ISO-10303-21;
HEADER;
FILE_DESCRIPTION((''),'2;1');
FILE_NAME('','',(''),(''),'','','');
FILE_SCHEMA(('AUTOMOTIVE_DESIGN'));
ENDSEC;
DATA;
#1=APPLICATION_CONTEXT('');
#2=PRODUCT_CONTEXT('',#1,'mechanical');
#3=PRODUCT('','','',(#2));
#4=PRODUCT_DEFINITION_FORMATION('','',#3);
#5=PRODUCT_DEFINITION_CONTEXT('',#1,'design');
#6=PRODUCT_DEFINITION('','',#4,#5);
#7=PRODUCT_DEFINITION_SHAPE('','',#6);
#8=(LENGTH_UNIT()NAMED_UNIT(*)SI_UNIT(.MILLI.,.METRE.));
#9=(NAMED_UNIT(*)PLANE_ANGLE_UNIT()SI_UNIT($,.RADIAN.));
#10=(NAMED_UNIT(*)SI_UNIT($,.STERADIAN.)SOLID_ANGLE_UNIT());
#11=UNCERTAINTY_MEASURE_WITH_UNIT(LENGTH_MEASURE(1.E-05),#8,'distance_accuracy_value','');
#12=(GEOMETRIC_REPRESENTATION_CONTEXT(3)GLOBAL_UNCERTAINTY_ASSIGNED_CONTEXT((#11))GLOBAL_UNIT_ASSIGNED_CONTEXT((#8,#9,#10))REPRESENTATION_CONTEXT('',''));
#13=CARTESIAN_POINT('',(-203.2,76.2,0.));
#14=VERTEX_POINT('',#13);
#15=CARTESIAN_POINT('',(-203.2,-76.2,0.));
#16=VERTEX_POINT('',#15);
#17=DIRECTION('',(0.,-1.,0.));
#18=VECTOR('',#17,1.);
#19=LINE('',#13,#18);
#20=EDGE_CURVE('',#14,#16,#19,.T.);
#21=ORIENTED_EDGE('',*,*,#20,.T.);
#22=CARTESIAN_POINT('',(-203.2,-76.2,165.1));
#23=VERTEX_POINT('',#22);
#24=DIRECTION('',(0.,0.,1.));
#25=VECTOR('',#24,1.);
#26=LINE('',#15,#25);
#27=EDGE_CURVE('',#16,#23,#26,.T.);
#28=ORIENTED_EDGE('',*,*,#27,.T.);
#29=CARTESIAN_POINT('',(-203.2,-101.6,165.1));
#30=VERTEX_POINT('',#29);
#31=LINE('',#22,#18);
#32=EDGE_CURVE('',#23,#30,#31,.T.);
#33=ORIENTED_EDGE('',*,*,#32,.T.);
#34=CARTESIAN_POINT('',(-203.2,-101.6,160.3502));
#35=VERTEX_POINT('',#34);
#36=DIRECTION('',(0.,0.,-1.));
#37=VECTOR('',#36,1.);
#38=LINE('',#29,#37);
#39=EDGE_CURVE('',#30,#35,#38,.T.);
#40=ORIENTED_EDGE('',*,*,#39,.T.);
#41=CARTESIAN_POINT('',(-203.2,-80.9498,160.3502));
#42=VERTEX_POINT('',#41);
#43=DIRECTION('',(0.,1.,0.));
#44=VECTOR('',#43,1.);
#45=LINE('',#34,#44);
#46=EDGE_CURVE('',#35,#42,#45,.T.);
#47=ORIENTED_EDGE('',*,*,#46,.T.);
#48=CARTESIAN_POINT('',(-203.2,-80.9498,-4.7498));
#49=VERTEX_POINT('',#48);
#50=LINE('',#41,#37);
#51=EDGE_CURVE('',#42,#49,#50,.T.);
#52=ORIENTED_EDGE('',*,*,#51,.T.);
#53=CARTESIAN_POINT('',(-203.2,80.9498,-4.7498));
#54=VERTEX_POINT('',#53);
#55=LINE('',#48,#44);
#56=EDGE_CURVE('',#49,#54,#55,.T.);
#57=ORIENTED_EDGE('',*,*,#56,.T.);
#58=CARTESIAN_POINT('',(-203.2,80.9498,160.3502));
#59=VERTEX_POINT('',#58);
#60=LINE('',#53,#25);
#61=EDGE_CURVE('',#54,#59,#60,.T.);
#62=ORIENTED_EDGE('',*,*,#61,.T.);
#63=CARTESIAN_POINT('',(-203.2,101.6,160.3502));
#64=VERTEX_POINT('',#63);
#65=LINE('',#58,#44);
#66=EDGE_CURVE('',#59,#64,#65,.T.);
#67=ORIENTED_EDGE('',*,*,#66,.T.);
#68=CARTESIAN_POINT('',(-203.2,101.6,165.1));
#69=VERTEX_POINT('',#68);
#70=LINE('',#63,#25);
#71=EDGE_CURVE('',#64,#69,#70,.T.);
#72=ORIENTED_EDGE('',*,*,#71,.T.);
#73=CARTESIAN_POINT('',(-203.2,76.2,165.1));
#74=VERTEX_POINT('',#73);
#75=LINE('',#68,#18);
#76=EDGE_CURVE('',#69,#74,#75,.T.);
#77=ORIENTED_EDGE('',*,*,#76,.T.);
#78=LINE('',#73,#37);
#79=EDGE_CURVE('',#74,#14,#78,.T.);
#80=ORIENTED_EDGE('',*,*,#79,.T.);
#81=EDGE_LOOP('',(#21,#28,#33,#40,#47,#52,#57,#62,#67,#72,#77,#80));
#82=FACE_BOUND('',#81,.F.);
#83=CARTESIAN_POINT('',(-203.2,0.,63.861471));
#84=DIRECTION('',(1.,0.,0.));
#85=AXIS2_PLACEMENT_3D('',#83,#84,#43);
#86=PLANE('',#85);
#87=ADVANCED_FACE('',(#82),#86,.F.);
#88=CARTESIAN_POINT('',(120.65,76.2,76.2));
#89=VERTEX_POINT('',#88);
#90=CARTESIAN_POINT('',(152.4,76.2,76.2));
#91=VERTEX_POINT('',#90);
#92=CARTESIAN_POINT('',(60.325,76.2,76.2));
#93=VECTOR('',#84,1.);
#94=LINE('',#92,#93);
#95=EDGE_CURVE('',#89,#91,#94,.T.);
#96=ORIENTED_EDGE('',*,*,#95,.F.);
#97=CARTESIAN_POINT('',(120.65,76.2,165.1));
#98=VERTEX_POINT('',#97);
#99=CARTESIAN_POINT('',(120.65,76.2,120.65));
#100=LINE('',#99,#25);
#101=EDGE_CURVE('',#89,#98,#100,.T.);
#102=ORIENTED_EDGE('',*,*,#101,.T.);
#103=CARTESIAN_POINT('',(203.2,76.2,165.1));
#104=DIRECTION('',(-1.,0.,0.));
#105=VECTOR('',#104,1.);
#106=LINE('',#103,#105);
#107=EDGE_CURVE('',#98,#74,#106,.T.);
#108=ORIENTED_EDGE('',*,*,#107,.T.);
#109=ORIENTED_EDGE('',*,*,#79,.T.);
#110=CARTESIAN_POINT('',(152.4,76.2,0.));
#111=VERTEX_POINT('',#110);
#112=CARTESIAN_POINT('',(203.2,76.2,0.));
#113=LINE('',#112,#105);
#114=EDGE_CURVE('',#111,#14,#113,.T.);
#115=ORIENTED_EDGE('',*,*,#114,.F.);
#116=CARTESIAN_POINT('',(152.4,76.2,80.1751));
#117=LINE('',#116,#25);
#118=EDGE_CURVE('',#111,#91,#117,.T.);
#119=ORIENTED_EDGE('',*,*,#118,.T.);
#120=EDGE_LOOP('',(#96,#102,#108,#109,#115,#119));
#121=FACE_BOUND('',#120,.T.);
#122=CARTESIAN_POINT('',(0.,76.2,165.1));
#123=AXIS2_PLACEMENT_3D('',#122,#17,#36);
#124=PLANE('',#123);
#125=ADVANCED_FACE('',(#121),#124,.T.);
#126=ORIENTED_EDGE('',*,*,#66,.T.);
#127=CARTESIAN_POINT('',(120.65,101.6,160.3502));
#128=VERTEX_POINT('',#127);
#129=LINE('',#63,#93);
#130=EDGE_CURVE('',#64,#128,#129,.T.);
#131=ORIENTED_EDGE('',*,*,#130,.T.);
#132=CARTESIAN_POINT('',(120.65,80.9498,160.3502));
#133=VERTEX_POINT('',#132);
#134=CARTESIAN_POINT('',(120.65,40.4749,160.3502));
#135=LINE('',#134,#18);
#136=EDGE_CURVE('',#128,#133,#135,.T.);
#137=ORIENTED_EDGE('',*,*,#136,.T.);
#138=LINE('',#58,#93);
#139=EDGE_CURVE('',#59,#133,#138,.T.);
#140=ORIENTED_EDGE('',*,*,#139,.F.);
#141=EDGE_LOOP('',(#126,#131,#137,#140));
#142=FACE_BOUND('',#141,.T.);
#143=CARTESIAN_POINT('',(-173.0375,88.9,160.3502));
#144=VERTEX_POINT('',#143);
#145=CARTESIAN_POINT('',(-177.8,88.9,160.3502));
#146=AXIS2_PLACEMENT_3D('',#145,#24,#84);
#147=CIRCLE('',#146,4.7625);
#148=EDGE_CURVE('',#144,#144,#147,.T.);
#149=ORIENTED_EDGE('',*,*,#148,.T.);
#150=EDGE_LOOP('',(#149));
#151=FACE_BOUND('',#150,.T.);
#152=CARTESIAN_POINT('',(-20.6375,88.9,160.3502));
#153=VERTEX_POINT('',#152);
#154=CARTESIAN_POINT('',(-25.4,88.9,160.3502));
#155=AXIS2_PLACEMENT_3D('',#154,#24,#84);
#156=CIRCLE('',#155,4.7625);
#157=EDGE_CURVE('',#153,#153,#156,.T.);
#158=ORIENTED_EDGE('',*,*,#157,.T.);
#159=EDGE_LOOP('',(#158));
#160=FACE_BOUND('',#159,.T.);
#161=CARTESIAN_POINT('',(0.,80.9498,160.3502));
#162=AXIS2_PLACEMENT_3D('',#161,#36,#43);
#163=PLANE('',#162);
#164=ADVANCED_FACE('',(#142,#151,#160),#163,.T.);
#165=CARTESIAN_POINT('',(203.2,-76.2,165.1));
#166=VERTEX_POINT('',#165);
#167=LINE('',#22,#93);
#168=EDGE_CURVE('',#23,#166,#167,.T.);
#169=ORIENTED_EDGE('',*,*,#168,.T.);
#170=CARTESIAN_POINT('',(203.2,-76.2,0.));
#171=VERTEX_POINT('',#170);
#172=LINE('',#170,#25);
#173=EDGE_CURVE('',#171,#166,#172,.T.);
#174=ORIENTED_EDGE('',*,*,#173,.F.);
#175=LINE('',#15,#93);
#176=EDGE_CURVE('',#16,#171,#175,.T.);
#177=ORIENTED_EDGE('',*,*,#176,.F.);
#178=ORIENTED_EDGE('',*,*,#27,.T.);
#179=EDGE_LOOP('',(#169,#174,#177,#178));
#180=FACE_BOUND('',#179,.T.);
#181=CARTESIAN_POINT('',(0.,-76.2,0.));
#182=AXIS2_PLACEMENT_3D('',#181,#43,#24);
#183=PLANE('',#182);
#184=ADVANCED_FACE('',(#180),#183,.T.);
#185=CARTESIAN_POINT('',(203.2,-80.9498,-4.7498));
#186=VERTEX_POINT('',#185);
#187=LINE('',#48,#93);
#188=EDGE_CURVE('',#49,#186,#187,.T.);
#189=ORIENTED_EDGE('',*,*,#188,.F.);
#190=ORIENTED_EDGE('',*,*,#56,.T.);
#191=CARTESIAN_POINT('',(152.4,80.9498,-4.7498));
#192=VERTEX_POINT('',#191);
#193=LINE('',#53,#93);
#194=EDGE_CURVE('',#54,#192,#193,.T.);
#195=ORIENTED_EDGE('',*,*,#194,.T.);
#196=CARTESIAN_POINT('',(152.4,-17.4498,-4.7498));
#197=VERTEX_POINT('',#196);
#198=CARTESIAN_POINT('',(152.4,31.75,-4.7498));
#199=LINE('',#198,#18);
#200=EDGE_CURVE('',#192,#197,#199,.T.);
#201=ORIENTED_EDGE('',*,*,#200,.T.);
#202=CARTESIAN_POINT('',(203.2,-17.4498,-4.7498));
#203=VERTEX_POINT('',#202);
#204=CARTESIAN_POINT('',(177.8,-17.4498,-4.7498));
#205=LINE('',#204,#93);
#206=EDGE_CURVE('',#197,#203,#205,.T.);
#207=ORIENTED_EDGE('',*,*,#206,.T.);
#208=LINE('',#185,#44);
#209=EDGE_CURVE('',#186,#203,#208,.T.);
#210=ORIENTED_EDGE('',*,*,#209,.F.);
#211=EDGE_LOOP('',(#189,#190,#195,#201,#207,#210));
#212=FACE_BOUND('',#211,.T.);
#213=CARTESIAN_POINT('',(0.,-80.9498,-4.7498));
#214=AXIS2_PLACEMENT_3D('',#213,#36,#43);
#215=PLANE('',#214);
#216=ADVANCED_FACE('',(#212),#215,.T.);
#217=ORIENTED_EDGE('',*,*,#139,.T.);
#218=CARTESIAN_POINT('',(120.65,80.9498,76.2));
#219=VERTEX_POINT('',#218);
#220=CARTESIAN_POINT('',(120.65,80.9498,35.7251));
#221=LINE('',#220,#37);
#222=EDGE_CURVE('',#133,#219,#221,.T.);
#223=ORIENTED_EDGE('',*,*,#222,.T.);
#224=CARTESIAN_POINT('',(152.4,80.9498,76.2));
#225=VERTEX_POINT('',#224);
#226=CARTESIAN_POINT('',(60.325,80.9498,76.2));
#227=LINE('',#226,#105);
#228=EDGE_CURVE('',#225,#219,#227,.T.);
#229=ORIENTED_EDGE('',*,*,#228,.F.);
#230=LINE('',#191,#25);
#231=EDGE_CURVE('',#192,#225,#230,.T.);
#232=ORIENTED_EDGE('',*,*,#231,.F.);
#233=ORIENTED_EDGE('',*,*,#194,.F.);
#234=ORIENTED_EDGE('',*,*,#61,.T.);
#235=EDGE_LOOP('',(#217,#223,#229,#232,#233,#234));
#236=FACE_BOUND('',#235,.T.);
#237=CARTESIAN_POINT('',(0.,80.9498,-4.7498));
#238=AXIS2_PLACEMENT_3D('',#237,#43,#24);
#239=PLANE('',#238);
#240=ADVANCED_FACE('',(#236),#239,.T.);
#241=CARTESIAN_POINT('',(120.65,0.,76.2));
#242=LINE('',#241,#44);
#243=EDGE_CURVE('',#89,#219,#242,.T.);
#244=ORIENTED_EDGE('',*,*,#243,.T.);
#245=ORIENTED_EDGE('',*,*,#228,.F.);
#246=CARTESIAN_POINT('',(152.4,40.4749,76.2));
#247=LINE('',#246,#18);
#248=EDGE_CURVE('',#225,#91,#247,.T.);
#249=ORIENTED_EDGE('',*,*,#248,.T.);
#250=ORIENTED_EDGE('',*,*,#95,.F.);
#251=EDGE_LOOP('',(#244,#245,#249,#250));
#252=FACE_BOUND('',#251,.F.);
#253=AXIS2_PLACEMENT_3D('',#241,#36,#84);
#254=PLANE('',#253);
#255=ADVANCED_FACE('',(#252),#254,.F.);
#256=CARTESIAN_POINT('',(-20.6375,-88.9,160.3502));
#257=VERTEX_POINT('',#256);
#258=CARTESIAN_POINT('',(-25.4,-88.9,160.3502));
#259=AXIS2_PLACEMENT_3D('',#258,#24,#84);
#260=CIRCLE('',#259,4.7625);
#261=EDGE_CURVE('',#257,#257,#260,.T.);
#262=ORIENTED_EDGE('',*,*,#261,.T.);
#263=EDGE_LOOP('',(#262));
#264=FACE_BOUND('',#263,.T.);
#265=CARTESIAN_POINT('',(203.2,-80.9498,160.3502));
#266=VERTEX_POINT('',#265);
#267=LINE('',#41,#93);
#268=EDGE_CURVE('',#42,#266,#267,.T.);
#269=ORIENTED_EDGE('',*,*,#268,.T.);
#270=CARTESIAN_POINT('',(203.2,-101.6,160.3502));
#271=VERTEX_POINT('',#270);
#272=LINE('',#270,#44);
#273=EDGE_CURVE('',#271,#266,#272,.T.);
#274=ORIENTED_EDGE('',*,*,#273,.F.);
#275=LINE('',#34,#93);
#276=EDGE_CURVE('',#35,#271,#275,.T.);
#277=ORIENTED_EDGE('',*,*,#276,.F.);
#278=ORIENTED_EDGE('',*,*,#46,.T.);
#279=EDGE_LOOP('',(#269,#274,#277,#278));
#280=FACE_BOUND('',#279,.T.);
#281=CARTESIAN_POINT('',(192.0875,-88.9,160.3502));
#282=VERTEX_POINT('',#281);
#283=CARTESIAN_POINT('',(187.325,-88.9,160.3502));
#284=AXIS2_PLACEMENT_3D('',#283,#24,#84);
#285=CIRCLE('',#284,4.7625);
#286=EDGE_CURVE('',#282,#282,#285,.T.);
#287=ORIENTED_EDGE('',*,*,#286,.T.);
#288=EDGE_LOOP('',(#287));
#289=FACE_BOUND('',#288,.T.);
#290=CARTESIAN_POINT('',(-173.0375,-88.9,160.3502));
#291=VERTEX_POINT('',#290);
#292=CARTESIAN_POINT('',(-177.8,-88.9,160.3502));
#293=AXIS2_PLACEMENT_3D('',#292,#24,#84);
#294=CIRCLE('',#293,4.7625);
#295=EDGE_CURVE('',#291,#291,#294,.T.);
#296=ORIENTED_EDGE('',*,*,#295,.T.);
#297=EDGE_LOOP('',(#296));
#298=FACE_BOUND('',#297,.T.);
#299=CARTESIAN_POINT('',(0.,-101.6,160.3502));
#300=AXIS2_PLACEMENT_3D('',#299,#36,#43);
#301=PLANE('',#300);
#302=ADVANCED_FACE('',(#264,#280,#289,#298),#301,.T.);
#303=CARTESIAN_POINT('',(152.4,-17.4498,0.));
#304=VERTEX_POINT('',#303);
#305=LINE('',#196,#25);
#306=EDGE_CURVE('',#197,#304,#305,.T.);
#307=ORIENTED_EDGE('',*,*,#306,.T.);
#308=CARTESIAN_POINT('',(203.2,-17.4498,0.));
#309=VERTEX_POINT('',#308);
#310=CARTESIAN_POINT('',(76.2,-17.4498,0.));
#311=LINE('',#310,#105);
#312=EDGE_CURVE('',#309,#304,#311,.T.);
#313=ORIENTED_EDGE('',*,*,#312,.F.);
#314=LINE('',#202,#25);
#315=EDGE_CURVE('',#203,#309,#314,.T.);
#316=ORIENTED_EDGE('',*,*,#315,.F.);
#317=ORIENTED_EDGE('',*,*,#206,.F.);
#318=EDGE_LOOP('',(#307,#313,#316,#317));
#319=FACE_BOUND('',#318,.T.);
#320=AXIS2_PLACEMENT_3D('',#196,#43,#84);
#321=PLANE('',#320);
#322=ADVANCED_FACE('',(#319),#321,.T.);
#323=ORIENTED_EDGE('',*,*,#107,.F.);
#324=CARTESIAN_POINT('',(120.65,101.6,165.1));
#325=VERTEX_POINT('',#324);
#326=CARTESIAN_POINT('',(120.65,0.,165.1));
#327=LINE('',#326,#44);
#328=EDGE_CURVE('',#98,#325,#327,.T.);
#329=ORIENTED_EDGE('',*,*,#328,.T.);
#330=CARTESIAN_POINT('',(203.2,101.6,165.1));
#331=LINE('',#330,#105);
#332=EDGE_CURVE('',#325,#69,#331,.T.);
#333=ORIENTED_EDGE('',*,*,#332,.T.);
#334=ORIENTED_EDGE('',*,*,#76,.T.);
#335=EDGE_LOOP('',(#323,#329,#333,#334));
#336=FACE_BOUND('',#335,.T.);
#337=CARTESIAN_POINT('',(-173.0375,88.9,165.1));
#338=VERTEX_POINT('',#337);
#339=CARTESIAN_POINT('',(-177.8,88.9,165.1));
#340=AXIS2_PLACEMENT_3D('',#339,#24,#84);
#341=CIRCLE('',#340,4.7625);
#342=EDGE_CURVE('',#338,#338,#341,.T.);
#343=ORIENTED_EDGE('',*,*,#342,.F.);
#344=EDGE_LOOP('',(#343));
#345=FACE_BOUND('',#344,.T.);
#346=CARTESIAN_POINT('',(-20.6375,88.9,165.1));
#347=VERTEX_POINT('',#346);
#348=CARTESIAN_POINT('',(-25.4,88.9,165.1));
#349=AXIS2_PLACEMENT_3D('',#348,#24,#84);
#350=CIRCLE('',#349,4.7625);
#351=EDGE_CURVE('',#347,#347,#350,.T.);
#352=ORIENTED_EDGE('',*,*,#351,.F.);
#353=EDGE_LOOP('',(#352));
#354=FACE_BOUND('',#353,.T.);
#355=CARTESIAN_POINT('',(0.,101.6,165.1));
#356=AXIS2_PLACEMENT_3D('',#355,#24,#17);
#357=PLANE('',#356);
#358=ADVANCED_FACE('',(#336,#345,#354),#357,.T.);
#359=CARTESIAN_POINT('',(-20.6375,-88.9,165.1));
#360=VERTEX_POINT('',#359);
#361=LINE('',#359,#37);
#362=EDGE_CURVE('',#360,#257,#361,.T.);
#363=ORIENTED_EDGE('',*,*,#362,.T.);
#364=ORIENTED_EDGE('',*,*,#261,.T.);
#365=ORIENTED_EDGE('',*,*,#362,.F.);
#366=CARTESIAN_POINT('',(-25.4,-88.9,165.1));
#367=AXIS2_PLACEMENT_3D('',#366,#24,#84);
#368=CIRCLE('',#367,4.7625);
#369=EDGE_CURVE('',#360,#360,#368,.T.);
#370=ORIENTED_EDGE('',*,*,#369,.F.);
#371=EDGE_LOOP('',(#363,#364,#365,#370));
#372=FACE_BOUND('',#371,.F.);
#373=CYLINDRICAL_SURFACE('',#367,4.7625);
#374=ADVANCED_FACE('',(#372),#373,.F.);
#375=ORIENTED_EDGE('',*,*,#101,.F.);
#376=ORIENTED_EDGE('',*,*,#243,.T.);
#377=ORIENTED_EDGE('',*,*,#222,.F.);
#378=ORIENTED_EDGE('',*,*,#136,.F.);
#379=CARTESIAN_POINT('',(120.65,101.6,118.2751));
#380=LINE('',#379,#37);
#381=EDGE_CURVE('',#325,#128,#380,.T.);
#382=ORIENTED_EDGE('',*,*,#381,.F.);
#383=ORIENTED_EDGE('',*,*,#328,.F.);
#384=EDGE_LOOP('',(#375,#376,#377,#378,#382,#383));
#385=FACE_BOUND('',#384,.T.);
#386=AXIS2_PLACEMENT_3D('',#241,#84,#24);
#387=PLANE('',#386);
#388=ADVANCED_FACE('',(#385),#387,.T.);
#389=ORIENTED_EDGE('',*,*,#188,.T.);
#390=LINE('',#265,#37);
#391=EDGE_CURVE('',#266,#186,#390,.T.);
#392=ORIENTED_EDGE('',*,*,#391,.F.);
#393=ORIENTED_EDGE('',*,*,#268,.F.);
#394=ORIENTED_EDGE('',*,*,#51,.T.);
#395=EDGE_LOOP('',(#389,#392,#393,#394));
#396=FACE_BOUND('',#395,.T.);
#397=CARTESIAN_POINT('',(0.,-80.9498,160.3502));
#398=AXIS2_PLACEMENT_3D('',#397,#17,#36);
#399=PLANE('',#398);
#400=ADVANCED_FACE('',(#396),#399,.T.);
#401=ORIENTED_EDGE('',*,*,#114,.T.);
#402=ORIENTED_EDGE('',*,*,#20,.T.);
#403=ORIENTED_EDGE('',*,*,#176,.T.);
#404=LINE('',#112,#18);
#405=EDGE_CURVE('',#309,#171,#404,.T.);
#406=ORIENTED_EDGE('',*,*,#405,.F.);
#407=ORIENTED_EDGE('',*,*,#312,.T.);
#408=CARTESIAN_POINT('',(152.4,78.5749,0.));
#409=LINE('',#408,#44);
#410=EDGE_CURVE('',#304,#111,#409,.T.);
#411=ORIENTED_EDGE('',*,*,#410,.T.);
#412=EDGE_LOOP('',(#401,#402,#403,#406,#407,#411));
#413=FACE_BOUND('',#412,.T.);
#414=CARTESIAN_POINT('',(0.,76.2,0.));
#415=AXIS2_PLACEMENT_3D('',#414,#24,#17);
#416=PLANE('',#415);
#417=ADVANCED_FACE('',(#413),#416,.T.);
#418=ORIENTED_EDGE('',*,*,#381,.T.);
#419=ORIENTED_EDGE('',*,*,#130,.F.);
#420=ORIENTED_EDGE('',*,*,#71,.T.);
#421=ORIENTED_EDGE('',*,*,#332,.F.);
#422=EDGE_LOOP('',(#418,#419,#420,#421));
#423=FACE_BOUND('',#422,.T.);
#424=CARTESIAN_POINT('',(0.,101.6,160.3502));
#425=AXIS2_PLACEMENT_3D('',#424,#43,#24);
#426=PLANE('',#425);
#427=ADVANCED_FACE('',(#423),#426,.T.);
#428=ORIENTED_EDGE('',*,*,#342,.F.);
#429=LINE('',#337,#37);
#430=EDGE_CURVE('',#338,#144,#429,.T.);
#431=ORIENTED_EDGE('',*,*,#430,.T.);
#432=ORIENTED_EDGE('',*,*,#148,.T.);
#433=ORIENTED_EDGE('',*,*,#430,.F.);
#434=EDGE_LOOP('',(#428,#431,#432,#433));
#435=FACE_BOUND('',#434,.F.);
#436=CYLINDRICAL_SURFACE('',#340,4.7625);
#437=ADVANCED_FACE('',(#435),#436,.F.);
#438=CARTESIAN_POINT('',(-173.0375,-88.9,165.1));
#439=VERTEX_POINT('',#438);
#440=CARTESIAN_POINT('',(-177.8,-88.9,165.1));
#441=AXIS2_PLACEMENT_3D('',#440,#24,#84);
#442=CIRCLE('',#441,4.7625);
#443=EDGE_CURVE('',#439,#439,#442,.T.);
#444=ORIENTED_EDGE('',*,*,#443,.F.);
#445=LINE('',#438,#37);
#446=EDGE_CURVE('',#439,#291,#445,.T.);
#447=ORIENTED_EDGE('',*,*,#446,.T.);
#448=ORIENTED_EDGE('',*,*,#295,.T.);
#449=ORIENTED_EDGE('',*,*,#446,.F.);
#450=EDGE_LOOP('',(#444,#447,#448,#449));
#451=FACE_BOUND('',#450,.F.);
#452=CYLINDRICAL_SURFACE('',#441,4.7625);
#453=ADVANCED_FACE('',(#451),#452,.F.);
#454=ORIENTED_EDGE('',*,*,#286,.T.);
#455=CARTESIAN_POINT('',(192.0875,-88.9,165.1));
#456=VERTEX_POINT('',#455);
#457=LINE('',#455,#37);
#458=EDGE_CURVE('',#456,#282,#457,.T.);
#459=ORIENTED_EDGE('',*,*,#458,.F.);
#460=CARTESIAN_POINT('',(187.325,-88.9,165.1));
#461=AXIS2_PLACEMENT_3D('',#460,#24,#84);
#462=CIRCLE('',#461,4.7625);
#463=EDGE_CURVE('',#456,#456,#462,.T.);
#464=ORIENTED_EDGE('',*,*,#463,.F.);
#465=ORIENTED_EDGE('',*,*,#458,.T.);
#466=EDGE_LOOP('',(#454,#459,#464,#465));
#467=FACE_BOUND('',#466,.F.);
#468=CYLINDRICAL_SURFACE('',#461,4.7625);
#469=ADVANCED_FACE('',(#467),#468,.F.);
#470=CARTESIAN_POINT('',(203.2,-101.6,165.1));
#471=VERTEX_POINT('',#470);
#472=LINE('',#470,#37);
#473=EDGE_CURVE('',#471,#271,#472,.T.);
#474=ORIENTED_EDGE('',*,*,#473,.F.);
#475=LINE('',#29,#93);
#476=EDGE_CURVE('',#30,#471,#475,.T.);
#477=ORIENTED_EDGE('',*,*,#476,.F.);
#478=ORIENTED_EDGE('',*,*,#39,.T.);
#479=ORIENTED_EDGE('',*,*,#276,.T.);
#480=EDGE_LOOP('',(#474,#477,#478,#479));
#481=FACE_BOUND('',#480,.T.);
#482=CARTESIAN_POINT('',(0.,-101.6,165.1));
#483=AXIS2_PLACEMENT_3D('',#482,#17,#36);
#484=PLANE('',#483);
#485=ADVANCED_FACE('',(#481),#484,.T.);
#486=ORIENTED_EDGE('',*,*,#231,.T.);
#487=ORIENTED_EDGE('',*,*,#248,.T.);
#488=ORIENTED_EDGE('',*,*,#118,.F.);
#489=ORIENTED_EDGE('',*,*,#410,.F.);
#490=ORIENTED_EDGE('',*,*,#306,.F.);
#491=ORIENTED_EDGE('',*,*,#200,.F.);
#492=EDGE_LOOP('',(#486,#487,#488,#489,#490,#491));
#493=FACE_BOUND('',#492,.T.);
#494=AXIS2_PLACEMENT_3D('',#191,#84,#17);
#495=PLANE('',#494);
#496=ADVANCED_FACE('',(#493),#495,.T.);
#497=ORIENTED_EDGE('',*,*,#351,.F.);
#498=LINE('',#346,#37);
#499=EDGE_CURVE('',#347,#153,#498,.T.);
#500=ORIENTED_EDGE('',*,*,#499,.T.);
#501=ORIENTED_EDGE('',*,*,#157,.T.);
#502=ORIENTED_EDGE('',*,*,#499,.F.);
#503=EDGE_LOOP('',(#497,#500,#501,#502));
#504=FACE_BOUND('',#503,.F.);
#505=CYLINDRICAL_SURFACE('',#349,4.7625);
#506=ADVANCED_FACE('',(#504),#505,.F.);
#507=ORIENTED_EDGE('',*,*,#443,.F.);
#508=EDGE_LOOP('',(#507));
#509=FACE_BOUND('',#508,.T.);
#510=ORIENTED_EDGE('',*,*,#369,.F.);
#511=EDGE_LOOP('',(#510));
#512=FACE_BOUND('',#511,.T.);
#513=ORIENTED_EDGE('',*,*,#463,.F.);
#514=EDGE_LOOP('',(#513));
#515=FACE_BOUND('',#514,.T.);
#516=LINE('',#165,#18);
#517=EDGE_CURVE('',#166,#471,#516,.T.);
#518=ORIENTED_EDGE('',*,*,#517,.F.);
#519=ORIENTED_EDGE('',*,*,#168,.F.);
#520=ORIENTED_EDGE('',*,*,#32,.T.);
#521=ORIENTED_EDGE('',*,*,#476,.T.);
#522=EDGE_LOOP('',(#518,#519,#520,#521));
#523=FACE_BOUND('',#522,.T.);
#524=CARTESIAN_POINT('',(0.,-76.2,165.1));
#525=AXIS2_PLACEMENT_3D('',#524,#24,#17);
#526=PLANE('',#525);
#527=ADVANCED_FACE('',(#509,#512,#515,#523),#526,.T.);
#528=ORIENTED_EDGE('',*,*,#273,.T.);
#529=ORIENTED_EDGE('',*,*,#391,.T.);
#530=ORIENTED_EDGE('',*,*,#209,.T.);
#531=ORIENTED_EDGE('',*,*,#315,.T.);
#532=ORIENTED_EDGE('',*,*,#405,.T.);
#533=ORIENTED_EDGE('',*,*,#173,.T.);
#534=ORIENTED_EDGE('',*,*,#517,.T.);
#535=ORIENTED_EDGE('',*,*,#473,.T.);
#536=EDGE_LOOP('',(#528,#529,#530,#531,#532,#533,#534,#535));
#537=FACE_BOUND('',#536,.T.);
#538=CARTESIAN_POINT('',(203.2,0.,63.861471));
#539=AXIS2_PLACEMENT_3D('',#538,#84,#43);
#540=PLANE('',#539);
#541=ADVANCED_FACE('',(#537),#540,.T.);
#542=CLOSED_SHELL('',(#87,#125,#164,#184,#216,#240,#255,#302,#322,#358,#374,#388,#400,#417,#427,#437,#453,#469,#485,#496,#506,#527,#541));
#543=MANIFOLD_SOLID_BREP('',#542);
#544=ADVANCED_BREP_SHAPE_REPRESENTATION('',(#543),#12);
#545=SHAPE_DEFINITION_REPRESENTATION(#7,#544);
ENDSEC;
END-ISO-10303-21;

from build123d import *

# Parameters (mm, degrees)
F1_DEPTH = 203.2
F2_W     = 82.55
F2_H     = 88.9
F3_DEPTH = 101.601
F4_W     = 50.8
F4_H     = 98.3996
F5_DEPTH = 169.8508
F6_R     = 4.7625
F7_DEPTH = 169.8508


with BuildPart() as f1:
    # F0 (on Right) → F1 (new body, symmetric)
    with BuildSketch(Plane.YZ):
        Polygon((76.2, 0), (-76.2, 0), (-76.2, 165.1), (-101.6, 165.1), (-101.6, 160.3502), (-80.9498, 160.3502), (-80.9498, -4.7498), (80.9498, -4.7498), (80.9498, 160.3502), (101.6, 160.3502), (101.6, 165.1), (76.2, 165.1), align=None)
    extrude(amount=F1_DEPTH, both=True)

    # F2 (on Front) → F3 (cut, through all)
    with BuildSketch(Plane.XZ):
        with Locations((161.925, 120.65)):
            Rectangle(F2_W, F2_H)
    extrude(amount=-F3_DEPTH, mode=Mode.SUBTRACT)

    # F4 (on face) → F5 (cut, through all)
    with BuildSketch(Plane(origin=(0, 0, -4.7498), x_dir=(1, 0, 0), z_dir=(0, 0, -1))):
        with Locations((177.8, -31.75)):
            Rectangle(F4_W, F4_H)
    extrude(amount=-F5_DEPTH, mode=Mode.SUBTRACT)

    # F6 (on face) → F7 (cut, through all)
    with BuildSketch(Plane.XY.offset(165.1)):
        with Locations((-177.8, 88.9)):
            Circle(F6_R)
        with Locations((-25.4, 88.9)):
            Circle(F6_R)
        with Locations((-177.8, -88.9)):
            Circle(F6_R)
        with Locations((-25.4, -88.9)):
            Circle(F6_R)
        with Locations((187.325, -88.9)):
            Circle(F6_R)
    extrude(amount=-F7_DEPTH, mode=Mode.SUBTRACT)


solid = f1.part
